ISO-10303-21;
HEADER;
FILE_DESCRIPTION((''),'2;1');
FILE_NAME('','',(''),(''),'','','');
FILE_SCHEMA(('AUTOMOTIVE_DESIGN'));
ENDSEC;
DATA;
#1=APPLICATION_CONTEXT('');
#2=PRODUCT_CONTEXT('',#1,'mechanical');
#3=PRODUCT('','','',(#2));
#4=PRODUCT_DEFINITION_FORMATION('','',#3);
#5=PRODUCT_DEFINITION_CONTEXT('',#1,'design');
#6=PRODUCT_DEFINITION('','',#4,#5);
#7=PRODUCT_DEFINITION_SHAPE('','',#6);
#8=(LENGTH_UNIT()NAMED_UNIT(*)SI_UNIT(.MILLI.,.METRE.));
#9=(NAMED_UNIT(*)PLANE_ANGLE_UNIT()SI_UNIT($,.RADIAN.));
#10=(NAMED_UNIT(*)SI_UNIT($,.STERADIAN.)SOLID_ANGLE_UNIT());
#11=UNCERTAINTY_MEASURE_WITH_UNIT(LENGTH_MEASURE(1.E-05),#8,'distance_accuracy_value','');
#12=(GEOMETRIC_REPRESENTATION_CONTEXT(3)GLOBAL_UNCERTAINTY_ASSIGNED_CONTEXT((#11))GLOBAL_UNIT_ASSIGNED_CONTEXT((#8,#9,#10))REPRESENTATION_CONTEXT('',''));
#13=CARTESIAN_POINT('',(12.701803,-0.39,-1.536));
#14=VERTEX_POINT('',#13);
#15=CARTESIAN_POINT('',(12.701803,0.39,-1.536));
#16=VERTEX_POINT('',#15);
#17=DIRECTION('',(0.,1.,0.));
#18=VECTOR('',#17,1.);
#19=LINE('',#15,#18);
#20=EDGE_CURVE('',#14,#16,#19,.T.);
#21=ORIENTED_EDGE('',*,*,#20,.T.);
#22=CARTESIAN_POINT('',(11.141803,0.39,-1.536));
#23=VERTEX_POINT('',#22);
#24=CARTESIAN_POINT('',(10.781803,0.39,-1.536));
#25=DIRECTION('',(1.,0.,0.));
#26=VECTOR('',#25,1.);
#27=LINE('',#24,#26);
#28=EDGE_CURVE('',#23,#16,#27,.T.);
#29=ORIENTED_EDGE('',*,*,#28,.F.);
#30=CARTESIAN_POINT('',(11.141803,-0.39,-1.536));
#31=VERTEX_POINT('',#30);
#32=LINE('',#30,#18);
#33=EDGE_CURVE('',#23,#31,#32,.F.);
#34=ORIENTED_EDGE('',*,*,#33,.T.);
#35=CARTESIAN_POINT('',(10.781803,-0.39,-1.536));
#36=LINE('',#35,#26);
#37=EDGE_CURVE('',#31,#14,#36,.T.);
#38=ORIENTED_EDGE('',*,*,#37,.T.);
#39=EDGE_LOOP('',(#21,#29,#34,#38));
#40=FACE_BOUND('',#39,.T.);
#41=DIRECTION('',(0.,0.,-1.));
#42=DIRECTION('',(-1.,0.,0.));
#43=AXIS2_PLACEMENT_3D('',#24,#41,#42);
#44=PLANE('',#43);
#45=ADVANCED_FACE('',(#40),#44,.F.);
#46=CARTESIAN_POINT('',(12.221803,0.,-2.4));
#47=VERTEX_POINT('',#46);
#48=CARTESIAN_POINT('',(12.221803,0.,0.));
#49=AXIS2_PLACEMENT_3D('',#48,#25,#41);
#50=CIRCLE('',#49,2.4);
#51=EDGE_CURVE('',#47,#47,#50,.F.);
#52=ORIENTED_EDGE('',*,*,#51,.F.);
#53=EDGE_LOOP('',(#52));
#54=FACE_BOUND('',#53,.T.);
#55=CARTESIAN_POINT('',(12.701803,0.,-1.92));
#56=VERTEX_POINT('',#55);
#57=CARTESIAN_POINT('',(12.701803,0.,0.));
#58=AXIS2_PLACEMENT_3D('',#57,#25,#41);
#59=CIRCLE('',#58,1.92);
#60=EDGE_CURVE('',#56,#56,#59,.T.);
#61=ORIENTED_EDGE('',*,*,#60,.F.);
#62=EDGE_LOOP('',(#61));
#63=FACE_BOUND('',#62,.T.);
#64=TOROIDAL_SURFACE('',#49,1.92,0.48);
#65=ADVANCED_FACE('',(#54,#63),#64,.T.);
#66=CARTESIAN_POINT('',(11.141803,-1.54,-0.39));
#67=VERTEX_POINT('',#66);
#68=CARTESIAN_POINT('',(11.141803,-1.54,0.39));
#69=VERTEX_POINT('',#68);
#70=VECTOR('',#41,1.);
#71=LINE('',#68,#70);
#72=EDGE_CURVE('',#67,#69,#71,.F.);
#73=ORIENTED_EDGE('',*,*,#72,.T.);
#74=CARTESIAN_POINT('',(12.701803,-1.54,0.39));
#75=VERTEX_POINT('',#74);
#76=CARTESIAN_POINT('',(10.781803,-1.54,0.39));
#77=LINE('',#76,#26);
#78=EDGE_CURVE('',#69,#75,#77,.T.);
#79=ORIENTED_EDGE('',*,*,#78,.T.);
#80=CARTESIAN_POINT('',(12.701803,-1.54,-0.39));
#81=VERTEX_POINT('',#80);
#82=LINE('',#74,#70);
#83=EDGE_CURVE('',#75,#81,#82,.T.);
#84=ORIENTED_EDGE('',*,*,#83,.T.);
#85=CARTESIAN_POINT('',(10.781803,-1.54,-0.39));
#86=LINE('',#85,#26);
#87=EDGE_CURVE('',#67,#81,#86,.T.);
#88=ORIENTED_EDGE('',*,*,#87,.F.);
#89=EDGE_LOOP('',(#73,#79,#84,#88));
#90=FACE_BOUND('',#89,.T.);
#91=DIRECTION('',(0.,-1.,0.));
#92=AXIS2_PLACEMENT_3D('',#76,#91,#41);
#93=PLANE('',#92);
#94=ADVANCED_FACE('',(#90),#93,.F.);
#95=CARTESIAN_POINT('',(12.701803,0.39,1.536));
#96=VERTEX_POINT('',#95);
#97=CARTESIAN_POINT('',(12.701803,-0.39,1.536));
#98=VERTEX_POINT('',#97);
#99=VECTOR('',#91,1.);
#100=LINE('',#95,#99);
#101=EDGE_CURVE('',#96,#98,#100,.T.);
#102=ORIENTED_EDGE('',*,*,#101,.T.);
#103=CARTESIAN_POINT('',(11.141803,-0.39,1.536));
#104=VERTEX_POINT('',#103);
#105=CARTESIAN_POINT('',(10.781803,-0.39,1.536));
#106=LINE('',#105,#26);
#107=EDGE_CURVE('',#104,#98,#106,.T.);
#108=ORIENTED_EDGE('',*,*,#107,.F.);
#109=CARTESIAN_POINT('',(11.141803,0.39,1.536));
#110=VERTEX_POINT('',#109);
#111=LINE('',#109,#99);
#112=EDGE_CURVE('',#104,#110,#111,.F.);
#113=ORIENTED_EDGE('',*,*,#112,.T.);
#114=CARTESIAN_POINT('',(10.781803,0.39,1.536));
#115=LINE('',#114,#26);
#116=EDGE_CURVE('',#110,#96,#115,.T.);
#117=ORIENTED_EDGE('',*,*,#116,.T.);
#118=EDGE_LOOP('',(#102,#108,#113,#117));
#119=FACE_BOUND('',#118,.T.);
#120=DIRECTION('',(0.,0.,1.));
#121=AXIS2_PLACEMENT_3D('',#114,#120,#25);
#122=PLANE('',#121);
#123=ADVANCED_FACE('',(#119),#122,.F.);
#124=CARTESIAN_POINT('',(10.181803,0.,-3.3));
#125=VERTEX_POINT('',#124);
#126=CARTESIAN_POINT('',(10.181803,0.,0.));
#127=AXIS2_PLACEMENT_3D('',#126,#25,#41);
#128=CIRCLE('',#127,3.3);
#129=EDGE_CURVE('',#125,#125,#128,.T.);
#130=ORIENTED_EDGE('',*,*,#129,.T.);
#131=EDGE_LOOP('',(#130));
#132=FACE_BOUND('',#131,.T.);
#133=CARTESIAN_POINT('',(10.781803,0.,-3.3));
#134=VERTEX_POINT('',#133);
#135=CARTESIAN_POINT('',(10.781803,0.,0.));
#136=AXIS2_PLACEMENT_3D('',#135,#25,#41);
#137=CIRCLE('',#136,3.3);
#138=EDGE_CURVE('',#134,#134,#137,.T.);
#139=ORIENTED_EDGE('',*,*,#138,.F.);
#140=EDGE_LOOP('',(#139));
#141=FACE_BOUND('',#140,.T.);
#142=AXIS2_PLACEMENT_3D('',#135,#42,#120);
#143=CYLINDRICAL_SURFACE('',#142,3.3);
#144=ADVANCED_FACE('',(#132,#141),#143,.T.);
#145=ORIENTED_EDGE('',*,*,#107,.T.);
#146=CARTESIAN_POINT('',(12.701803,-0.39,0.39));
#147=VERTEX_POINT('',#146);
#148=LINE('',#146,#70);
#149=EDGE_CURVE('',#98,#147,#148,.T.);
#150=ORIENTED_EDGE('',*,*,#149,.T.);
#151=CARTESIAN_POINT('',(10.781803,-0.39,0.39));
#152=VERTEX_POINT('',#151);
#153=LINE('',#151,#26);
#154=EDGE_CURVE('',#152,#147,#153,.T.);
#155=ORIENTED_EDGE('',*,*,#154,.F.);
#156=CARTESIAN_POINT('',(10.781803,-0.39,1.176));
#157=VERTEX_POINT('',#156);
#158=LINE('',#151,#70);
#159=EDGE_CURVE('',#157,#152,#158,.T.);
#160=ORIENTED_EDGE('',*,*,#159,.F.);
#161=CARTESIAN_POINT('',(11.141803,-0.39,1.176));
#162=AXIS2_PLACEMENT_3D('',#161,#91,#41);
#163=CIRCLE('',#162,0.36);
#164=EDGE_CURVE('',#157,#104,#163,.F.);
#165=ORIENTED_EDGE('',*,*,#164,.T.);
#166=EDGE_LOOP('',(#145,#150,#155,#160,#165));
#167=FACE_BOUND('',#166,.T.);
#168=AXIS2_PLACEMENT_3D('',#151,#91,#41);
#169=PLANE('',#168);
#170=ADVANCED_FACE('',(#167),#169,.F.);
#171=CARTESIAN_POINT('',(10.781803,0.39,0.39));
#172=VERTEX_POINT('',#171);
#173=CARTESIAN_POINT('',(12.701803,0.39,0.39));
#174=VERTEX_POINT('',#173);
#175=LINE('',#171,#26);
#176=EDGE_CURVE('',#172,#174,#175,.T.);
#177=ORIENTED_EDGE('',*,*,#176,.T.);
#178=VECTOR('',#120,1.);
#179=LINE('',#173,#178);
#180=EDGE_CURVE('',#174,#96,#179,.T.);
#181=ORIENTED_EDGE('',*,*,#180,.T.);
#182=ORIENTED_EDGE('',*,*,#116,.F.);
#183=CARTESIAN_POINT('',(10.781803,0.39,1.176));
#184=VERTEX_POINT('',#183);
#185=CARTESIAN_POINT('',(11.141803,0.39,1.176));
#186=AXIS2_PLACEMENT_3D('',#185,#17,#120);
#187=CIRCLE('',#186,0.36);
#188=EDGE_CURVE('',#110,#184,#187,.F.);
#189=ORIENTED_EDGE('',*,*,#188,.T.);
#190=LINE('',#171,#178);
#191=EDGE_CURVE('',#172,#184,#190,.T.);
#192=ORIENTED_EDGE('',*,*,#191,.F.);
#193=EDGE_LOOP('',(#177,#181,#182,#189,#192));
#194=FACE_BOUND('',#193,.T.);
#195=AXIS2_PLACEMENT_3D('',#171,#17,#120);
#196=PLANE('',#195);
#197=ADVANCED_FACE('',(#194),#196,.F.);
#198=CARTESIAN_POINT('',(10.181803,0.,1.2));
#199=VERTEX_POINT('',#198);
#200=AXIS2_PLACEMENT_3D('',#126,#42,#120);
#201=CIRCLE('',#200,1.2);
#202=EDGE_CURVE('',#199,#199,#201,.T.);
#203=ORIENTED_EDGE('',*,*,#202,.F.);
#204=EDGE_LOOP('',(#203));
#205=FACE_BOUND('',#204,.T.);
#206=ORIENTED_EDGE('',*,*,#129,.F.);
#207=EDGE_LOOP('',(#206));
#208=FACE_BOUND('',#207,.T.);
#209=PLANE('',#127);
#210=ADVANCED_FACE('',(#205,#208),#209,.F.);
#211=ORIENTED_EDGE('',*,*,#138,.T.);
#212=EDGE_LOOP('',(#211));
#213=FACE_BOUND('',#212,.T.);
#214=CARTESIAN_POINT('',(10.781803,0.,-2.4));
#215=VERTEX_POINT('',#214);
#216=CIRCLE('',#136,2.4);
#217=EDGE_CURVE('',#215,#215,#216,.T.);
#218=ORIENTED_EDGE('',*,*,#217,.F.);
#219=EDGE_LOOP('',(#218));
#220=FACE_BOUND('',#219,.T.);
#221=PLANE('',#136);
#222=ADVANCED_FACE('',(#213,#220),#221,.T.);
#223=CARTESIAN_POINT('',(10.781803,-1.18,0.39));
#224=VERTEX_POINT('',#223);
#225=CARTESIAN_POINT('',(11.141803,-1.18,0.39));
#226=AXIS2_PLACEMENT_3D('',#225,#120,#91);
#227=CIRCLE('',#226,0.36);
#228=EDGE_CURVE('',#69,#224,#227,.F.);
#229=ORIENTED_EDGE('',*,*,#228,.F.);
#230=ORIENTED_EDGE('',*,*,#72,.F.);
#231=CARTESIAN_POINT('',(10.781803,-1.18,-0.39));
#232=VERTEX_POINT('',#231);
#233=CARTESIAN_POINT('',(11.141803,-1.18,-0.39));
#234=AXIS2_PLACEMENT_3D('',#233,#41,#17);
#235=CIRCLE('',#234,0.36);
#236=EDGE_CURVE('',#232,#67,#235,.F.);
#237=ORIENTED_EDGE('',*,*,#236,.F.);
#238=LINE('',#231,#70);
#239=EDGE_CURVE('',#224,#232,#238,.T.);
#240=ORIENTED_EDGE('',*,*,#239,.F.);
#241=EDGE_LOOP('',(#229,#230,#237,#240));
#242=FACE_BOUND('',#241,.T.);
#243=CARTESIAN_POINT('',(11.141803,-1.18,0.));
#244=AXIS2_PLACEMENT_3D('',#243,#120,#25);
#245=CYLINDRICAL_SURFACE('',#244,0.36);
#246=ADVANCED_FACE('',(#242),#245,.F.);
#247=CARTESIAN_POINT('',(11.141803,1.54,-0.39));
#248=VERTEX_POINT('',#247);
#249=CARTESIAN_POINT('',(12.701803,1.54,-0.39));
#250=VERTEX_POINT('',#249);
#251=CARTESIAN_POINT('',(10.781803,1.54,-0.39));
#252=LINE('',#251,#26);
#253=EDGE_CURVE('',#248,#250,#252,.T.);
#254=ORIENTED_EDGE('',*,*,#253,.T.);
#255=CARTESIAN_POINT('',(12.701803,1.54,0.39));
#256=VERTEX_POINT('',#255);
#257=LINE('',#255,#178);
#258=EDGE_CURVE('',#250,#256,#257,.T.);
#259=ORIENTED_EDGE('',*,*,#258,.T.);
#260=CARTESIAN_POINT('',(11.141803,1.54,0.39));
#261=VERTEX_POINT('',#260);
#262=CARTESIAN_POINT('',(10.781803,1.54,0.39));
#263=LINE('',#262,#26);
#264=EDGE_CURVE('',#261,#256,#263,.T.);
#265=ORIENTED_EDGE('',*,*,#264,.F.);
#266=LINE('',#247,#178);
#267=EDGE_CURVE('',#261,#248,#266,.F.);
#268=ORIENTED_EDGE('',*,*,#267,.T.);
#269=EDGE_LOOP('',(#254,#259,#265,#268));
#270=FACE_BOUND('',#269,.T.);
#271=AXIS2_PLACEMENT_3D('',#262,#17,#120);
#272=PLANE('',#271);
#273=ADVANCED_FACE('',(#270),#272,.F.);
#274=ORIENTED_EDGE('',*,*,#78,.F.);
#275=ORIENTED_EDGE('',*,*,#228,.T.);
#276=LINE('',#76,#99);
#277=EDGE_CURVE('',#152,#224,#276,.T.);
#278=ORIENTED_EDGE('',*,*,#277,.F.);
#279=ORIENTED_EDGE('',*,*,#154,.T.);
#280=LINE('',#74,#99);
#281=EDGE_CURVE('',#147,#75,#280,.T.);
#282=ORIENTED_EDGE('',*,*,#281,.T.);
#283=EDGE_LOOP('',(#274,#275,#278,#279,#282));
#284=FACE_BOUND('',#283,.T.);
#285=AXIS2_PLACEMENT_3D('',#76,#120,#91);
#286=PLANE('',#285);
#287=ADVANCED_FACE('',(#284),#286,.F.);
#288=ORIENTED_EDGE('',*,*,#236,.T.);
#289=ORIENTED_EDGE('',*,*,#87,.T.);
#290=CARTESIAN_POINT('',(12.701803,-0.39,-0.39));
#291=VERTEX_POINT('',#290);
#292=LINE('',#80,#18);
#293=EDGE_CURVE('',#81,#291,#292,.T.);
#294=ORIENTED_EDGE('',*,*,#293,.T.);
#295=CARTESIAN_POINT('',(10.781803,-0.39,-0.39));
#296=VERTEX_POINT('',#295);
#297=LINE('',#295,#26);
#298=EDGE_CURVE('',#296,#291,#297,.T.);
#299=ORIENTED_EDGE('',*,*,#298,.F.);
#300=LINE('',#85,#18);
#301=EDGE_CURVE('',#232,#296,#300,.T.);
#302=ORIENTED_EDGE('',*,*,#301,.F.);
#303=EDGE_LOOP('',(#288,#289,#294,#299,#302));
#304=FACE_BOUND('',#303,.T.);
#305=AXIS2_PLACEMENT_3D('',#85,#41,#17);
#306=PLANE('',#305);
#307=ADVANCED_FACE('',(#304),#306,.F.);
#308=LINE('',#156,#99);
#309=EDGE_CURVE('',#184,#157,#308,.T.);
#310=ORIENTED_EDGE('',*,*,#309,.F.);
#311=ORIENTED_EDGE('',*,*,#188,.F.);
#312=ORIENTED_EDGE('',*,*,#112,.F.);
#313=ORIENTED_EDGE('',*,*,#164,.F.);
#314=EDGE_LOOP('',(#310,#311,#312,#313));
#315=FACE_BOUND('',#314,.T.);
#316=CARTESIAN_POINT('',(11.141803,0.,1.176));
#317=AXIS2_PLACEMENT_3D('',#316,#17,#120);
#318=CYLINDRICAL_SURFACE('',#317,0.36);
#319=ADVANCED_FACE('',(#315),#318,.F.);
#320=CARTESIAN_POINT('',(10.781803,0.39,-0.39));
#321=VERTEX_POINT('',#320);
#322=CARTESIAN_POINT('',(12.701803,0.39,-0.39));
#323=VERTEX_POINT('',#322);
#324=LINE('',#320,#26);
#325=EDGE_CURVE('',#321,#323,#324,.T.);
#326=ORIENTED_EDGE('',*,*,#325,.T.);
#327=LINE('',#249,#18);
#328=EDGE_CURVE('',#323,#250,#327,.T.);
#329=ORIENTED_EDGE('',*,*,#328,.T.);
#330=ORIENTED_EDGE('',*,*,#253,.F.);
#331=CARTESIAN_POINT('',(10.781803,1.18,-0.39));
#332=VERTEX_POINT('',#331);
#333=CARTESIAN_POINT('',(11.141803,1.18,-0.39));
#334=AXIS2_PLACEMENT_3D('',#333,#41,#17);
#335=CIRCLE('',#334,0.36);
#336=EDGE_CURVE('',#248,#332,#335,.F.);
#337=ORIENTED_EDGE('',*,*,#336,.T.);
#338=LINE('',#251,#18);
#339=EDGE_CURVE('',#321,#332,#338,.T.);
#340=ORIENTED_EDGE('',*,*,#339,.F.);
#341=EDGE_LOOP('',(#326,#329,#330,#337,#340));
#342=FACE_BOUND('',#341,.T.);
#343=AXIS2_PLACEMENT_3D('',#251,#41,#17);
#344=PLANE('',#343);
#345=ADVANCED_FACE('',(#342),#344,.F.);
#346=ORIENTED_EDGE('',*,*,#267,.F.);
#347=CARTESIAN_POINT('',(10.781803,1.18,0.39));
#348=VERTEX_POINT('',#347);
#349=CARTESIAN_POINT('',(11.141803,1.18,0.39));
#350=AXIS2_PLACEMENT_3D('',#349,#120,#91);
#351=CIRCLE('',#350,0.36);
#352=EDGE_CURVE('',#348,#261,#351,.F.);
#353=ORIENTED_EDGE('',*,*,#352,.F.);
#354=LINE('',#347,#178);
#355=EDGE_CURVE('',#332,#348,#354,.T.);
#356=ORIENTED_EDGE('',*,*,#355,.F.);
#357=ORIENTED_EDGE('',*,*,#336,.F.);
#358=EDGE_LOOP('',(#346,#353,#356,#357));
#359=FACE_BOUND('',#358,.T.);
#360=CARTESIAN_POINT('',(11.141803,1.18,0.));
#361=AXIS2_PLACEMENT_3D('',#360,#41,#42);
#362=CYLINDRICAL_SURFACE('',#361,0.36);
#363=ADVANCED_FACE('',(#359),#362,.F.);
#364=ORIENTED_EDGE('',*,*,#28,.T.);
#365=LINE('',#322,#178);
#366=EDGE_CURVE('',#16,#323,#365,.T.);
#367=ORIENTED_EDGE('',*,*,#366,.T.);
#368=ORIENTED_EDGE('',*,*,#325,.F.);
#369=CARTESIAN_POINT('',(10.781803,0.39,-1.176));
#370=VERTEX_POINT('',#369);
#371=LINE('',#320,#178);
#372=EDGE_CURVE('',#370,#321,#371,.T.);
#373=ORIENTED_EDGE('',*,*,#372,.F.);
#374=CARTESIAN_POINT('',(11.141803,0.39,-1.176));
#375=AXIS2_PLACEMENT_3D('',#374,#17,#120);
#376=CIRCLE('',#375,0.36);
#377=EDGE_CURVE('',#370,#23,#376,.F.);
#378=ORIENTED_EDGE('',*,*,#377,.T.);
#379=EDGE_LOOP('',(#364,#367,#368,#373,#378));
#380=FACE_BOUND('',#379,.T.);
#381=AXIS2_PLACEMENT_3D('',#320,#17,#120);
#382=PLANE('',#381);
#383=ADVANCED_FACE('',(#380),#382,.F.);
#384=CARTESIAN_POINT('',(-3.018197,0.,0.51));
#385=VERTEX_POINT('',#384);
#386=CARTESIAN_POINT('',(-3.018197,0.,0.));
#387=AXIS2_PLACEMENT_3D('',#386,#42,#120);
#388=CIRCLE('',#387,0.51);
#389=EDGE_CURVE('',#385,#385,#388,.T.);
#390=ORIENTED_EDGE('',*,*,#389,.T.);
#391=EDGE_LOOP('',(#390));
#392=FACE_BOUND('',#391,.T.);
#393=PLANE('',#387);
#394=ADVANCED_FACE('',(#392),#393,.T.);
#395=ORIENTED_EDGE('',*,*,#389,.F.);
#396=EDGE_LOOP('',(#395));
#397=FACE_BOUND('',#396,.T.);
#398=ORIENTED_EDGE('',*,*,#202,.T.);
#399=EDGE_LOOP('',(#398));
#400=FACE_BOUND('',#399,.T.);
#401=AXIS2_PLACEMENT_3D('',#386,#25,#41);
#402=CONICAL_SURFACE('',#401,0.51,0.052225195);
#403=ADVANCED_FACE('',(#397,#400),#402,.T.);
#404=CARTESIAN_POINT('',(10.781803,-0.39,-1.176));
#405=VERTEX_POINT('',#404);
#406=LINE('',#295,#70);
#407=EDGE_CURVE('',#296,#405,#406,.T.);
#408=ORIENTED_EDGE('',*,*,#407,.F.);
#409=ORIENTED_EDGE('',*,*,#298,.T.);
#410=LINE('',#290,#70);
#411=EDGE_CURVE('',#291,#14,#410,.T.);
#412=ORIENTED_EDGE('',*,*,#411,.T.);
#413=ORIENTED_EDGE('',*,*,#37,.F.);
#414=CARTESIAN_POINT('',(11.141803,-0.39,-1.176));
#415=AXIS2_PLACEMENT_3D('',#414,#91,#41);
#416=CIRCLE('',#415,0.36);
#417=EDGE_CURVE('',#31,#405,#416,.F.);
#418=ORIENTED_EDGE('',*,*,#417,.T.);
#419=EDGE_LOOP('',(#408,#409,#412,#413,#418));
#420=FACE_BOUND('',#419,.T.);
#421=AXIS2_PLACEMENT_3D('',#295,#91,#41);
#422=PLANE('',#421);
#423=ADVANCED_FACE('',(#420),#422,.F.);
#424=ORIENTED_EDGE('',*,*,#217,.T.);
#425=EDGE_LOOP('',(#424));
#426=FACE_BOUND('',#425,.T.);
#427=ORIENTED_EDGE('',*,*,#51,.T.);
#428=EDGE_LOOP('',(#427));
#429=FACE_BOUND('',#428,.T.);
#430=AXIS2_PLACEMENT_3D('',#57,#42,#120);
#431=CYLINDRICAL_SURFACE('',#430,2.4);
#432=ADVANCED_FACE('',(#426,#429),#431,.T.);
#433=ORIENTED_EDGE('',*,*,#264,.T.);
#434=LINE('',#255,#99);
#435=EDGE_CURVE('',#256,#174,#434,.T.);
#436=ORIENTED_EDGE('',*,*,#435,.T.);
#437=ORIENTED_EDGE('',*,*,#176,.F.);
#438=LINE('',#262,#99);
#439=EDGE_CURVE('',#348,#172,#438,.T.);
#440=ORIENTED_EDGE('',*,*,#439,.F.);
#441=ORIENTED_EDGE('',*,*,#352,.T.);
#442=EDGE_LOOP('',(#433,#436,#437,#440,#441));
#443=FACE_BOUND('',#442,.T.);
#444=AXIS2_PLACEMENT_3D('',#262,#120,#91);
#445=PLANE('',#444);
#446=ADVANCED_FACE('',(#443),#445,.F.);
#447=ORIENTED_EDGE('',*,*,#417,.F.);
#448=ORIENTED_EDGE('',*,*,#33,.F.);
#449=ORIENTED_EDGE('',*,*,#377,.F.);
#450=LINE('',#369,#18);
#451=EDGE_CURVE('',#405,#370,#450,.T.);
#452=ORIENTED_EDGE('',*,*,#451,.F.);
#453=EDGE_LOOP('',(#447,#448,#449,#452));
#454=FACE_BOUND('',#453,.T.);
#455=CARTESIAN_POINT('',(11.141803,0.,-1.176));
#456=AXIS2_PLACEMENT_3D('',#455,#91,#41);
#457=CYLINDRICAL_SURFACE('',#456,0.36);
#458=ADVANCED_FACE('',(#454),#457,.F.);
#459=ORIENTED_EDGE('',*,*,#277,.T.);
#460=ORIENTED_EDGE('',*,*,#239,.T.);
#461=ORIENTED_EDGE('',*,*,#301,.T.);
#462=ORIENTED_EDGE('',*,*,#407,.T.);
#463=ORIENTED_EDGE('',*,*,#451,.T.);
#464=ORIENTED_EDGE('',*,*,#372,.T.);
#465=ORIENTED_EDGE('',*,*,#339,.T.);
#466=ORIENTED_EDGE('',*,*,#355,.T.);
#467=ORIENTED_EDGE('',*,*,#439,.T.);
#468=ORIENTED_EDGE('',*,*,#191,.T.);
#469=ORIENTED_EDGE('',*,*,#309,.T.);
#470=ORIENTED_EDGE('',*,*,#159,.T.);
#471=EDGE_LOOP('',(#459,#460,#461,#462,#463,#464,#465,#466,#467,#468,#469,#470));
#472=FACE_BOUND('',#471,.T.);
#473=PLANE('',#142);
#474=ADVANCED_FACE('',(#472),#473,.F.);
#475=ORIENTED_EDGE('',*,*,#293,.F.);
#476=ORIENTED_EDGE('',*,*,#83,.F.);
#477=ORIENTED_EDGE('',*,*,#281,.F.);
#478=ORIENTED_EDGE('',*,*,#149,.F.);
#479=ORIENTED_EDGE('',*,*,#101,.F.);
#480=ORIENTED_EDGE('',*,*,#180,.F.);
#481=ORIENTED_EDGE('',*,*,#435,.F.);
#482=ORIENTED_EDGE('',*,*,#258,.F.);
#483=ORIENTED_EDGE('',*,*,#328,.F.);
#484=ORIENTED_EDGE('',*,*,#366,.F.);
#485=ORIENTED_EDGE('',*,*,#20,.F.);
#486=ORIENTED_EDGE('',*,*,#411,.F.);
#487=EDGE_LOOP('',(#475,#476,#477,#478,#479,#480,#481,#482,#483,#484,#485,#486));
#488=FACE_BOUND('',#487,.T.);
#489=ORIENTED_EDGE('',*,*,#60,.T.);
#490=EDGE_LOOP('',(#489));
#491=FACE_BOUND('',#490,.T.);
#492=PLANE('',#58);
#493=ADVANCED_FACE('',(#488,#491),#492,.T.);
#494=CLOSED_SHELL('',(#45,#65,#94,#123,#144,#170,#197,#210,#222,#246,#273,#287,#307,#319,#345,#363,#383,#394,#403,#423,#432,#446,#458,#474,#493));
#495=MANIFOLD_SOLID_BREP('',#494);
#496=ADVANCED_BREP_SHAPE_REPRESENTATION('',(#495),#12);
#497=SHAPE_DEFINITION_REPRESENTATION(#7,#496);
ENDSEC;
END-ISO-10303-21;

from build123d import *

# Parameters (mm, degrees)
ESQUISSE5_R             = 3.3
BOSS_EXTRU_3_DEPTH      = 0.6
ESQUISSE6_R             = 2.4
BOSS_EXTRU_4_DEPTH      = 1.92
ENL_V_MAT_EXTRU_2_DEPTH = 1.92
CONG_2_R                = 0.36
CONG_3_R                = 0.48


with BuildPart() as part:
    # Esquisse4 → Révolution2 (revolve)
    with BuildSketch(Plane.XY, mode=Mode.PRIVATE) as r_volution2_sk:
        Polygon((10.181803279, 0), (-3.018196721, 0), (-3.018196721, -0.51), (10.181803279, -1.2), align=None)
    revolve(r_volution2_sk.sketch.rotate(Axis((-3.018196721, 0, 0), (1, 0, 0)), 270), axis=Axis((-3.018196721, 0, 0), (1, 0, 0)))

    # Esquisse5 → Boss.-Extru.3 (add)
    with BuildSketch(Plane(origin=(10.181803279, 0, 0), x_dir=(0, 0, -1), z_dir=(1, 0, 0))):
        Circle(ESQUISSE5_R)
    extrude(amount=BOSS_EXTRU_3_DEPTH)

    # Esquisse6 → Boss.-Extru.4 (add)
    with BuildSketch(Plane(origin=(10.781803279, 0, 0), x_dir=(0, 0, -1), z_dir=(1, 0, 0))):
        Circle(ESQUISSE6_R)
    extrude(amount=BOSS_EXTRU_4_DEPTH)

    # Esquisse7 → Enlèv. mat.-Extru.2 (cut)
    with BuildSketch(Plane(origin=(12.701803279, 0, 0), x_dir=(0, 0, -1), z_dir=(1, 0, 0))):
        Polygon((-0.39, 1.54), (0.39, 1.54), (0.39, 0.39), (1.536, 0.39), (1.536, -0.39), (0.39, -0.39), (0.39, -1.54), (-0.39, -1.54), (-0.39, -0.39), (-1.536, -0.39), (-1.536, 0.39), (-0.39, 0.39), align=None)
    extrude(amount=-ENL_V_MAT_EXTRU_2_DEPTH, mode=Mode.SUBTRACT)

    # Congé2
    cong_2_edges = [part.edges().sort_by_distance(p)[0] for p in [
        (10.781803279, -1.54, 0),
        (10.781803279, 0, 1.536),
        (10.781803279, 1.54, 0),
        (10.781803279, 0, -1.536),
    ]]
    fillet(cong_2_edges, radius=CONG_2_R)

    # Congé3
    cong_3_edges = [part.edges().sort_by_distance(p)[0] for p in [
        (12.701803279, 0, 2.4),
    ]]
    fillet(cong_3_edges, radius=CONG_3_R)


solid = part.part
